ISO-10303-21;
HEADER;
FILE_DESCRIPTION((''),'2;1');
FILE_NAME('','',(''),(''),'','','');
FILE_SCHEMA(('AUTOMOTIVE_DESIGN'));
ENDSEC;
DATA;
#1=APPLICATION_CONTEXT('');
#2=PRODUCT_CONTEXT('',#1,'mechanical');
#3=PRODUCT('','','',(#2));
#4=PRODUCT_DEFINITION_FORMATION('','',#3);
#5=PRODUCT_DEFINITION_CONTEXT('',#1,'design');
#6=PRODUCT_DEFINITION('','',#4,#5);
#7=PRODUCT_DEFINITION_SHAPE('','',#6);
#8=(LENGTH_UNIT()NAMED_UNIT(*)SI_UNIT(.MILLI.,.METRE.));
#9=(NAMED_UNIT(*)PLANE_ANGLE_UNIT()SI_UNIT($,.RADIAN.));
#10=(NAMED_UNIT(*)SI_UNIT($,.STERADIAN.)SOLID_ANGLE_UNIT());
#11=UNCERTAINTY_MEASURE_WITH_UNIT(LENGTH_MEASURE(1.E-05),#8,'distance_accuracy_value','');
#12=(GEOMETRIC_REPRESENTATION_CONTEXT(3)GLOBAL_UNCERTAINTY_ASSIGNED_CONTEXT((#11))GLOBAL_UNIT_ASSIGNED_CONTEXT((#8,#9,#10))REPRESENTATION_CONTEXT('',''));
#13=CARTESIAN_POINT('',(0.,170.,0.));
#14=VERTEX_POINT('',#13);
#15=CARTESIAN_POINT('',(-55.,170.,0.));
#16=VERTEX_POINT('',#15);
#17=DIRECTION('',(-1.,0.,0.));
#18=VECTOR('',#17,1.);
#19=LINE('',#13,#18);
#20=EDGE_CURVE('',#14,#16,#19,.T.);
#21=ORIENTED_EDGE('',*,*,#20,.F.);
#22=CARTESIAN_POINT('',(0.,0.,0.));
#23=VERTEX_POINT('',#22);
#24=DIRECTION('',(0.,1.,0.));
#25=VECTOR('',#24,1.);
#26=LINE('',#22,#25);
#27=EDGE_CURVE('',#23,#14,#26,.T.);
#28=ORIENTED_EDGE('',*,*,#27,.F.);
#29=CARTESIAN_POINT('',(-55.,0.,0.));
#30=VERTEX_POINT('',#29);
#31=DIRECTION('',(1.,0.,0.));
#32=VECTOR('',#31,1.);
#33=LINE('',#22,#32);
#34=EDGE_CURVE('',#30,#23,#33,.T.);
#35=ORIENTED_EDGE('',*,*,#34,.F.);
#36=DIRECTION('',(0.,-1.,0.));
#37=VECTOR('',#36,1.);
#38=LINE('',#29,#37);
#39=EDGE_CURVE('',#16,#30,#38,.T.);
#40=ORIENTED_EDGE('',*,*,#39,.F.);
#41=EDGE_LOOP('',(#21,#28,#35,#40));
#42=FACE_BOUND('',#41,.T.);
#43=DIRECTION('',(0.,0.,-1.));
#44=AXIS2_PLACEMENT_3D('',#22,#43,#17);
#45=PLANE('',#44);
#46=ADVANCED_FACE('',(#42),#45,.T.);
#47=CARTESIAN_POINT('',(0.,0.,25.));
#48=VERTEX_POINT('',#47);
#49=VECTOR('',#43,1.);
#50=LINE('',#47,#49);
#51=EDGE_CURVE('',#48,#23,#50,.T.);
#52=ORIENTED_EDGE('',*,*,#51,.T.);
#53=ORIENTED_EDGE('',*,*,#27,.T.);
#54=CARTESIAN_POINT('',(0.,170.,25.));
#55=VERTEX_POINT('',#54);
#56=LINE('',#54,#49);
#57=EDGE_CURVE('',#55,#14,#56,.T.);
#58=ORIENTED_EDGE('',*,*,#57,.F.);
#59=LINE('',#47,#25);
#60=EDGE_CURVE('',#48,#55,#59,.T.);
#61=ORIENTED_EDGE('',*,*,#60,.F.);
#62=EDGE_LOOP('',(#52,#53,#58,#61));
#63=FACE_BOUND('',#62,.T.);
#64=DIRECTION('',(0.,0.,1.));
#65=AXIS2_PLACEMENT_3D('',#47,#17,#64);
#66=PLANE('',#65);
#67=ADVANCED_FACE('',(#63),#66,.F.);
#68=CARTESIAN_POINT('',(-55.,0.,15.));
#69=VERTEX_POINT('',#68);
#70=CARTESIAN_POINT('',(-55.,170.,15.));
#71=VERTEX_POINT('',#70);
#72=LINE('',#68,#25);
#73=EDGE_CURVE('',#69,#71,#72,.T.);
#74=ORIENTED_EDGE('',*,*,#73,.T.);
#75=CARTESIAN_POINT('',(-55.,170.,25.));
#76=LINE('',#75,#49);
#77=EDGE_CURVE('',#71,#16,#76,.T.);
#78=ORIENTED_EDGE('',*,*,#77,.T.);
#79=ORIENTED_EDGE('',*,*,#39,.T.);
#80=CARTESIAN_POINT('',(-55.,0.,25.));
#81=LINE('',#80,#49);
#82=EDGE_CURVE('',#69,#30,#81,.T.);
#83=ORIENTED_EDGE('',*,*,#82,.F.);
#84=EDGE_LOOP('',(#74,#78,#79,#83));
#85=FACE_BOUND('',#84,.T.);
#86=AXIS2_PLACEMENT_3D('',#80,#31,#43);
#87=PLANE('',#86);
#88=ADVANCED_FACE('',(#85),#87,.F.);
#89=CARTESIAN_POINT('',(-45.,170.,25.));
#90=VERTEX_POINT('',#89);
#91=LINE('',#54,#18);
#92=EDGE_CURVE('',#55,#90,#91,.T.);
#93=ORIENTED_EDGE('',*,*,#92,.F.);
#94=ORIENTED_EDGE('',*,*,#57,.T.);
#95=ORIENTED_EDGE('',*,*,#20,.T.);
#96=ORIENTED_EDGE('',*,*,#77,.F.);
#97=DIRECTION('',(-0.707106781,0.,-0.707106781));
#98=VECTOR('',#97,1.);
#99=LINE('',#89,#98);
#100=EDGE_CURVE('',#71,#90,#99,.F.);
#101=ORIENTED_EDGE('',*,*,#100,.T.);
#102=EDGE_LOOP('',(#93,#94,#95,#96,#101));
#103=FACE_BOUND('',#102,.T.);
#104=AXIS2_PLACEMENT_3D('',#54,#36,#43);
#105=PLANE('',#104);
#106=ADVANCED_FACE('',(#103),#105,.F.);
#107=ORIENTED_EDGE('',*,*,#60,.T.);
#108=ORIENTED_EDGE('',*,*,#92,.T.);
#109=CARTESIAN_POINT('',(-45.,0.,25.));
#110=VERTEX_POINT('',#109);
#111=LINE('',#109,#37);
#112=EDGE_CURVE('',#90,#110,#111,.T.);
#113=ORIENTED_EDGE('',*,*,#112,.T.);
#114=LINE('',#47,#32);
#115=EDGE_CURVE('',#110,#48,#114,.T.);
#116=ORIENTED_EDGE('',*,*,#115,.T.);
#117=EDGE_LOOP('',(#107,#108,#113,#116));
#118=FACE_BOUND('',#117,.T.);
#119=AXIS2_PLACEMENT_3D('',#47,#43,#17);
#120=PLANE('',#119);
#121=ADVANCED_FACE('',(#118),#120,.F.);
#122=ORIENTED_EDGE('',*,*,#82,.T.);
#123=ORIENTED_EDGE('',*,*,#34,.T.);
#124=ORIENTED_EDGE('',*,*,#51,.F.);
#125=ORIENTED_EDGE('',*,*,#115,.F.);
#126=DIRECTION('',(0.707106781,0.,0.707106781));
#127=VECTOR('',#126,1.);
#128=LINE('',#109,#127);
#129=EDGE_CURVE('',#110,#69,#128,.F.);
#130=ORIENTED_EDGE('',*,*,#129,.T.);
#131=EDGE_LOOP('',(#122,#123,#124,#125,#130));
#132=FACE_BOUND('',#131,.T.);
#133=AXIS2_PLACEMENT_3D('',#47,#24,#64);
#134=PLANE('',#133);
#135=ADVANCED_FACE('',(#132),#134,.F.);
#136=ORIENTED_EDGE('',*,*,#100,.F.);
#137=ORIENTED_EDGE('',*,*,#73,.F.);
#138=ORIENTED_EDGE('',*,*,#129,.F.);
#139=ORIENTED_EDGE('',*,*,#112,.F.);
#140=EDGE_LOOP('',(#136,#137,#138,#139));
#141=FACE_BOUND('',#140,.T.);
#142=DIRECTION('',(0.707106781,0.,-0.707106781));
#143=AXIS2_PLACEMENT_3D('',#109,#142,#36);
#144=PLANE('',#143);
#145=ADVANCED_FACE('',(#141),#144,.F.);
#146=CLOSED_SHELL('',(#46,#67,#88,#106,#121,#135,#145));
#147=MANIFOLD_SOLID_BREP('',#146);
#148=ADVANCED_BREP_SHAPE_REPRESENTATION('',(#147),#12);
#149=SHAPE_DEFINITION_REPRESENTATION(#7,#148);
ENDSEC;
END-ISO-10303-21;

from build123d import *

# Parameters (mm, degrees)
SKETCH1_W           = 170
SKETCH1_H           = 55
BOSS_EXTRUDE1_DEPTH = 25
CHAMFER1_SIZE       = 10


with BuildPart() as part:
    # Sketch1 → Boss-Extrude1 (new body)
    with BuildSketch(Plane(origin=(0, 0, 0), x_dir=(0, 1, 0), z_dir=(0, 0, 1))):
        with Locations((85, 27.5)):
            Rectangle(SKETCH1_W, SKETCH1_H)
    extrude(amount=BOSS_EXTRUDE1_DEPTH)

    # Chamfer1
    chamfer1_edges = [part.edges().sort_by_distance(p)[0] for p in [
        (-55, 85, 25),
    ]]
    chamfer(chamfer1_edges, length=CHAMFER1_SIZE)


solid = part.part
